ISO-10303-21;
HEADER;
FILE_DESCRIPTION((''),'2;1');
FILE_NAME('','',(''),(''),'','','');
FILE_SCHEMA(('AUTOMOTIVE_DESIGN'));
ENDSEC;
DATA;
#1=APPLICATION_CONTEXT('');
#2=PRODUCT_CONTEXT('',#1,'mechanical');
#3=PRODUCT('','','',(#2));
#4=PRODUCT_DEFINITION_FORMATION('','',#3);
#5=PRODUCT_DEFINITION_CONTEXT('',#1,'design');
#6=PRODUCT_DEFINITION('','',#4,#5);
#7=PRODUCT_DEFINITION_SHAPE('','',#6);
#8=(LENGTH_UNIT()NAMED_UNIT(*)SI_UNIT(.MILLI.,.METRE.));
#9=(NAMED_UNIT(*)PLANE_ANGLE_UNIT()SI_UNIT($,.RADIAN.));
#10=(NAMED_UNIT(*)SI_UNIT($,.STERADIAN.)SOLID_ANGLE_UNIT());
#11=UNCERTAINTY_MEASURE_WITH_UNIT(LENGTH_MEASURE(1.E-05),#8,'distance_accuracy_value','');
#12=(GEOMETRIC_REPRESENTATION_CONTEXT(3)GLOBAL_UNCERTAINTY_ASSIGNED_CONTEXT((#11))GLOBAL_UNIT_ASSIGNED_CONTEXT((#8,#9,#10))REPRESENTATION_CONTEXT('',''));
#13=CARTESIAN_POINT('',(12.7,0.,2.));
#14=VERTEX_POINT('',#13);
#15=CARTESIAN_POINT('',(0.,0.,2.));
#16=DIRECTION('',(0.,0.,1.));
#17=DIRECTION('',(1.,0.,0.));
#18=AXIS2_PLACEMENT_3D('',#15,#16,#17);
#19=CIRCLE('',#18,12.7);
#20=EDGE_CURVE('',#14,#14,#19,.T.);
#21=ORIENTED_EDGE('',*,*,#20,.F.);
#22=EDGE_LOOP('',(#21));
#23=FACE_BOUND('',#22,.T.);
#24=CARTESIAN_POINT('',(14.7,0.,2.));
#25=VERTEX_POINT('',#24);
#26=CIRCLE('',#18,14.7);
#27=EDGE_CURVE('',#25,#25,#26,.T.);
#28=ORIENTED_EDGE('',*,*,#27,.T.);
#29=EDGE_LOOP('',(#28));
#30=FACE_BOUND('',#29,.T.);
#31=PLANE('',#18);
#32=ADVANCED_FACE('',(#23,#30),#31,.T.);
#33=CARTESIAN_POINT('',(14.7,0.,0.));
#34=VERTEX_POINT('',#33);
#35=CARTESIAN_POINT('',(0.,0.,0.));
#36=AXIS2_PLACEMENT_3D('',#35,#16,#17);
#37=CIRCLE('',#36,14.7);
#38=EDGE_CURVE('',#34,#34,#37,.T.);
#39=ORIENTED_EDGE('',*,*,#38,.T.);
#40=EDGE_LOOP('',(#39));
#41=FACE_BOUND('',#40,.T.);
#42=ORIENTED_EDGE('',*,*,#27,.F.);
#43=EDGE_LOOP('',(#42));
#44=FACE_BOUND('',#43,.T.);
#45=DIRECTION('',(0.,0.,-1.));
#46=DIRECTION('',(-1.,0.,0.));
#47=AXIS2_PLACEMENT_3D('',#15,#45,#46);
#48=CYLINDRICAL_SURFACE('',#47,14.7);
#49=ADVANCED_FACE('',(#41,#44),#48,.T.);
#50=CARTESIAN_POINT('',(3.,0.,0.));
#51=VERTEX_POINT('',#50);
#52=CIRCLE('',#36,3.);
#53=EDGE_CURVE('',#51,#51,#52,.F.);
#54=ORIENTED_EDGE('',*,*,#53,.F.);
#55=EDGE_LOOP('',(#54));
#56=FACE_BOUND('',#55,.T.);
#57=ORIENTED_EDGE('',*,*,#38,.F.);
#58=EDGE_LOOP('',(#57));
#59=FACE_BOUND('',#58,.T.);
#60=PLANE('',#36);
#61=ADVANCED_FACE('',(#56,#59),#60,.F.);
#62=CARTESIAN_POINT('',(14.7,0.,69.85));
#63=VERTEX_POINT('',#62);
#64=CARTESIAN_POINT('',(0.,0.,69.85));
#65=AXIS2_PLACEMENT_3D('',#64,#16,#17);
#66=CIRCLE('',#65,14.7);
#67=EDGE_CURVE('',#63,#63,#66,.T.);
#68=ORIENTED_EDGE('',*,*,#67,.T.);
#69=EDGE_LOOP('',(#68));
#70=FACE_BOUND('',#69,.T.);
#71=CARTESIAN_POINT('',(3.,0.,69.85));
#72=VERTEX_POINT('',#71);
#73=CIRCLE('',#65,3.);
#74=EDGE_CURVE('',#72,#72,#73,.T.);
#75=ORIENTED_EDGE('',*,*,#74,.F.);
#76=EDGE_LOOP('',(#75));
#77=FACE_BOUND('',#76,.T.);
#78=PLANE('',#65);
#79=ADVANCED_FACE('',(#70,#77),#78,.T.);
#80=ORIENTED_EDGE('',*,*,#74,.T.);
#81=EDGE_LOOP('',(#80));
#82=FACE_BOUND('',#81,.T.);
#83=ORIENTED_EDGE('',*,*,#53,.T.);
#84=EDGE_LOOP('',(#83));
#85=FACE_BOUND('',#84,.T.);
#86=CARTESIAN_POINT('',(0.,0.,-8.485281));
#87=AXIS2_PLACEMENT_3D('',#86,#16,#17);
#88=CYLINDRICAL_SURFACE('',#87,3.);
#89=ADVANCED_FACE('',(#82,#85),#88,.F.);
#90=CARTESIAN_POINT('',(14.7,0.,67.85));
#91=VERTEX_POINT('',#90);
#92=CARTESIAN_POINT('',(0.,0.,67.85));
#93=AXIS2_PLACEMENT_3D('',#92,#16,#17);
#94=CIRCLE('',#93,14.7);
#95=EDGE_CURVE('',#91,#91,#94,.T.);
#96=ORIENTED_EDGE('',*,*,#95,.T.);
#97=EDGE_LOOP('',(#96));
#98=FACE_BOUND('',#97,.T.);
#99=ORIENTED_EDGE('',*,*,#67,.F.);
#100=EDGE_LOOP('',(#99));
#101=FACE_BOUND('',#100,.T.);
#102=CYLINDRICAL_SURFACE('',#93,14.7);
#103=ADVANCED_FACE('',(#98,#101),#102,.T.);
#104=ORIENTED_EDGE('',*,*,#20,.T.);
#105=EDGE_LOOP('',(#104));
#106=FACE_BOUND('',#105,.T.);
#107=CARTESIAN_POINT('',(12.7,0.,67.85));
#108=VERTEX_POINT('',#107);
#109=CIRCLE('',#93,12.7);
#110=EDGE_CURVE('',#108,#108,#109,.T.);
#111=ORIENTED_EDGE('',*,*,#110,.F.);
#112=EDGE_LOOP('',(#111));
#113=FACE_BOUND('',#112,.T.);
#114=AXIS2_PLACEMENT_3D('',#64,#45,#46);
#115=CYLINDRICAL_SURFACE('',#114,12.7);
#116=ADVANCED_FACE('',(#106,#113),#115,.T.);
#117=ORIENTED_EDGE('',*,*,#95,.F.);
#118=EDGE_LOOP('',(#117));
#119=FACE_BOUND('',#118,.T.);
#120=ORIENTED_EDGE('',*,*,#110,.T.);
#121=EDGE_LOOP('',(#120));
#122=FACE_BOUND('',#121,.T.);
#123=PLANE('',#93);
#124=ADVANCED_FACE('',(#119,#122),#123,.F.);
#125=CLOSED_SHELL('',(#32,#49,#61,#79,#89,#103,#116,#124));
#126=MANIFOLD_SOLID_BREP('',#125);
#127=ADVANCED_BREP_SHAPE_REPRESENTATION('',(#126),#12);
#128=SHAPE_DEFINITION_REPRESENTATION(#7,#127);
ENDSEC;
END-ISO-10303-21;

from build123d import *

# Parameters (mm, degrees)
SKETCH1_R           = 12.7
BOSS_EXTRUDE1_DEPTH = 69.85
SKETCH2_R           = 3
CUT_EXTRUDE3_DEPTH  = 69.85
BOSS_EXTRUDE2_START = 2
SKETCH3_R           = 14.7
SKETCH3_R_2         = 3
BOSS_EXTRUDE2_DEPTH = 2
BOSS_EXTRUDE3_START = 69.85
SKETCH3_2_R         = 14.7
SKETCH3_2_R_2       = 3
BOSS_EXTRUDE3_DEPTH = 2


with BuildPart() as part:
    # Sketch1 → Boss-Extrude1 (new body)
    with BuildSketch(Plane.XY):
        Circle(SKETCH1_R)
    extrude(amount=BOSS_EXTRUDE1_DEPTH)

    # Sketch2 → Cut-Extrude3 (cut)
    with BuildSketch(Plane.XY.offset(69.85)):
        Circle(SKETCH2_R)
    extrude(amount=-CUT_EXTRUDE3_DEPTH, mode=Mode.SUBTRACT)

    # Sketch3 → Boss-Extrude2 (add)
    with BuildSketch(Plane.XY.offset(BOSS_EXTRUDE2_START)):
        Circle(SKETCH3_R)
        Circle(SKETCH3_R_2, mode=Mode.SUBTRACT)
    extrude(amount=-BOSS_EXTRUDE2_DEPTH)

    # Sketch3<2> → Boss-Extrude3 (add)
    with BuildSketch(Plane.XY.offset(BOSS_EXTRUDE3_START)):
        Circle(SKETCH3_2_R)
        Circle(SKETCH3_2_R_2, mode=Mode.SUBTRACT)
    extrude(amount=-BOSS_EXTRUDE3_DEPTH)


solid = part.part
